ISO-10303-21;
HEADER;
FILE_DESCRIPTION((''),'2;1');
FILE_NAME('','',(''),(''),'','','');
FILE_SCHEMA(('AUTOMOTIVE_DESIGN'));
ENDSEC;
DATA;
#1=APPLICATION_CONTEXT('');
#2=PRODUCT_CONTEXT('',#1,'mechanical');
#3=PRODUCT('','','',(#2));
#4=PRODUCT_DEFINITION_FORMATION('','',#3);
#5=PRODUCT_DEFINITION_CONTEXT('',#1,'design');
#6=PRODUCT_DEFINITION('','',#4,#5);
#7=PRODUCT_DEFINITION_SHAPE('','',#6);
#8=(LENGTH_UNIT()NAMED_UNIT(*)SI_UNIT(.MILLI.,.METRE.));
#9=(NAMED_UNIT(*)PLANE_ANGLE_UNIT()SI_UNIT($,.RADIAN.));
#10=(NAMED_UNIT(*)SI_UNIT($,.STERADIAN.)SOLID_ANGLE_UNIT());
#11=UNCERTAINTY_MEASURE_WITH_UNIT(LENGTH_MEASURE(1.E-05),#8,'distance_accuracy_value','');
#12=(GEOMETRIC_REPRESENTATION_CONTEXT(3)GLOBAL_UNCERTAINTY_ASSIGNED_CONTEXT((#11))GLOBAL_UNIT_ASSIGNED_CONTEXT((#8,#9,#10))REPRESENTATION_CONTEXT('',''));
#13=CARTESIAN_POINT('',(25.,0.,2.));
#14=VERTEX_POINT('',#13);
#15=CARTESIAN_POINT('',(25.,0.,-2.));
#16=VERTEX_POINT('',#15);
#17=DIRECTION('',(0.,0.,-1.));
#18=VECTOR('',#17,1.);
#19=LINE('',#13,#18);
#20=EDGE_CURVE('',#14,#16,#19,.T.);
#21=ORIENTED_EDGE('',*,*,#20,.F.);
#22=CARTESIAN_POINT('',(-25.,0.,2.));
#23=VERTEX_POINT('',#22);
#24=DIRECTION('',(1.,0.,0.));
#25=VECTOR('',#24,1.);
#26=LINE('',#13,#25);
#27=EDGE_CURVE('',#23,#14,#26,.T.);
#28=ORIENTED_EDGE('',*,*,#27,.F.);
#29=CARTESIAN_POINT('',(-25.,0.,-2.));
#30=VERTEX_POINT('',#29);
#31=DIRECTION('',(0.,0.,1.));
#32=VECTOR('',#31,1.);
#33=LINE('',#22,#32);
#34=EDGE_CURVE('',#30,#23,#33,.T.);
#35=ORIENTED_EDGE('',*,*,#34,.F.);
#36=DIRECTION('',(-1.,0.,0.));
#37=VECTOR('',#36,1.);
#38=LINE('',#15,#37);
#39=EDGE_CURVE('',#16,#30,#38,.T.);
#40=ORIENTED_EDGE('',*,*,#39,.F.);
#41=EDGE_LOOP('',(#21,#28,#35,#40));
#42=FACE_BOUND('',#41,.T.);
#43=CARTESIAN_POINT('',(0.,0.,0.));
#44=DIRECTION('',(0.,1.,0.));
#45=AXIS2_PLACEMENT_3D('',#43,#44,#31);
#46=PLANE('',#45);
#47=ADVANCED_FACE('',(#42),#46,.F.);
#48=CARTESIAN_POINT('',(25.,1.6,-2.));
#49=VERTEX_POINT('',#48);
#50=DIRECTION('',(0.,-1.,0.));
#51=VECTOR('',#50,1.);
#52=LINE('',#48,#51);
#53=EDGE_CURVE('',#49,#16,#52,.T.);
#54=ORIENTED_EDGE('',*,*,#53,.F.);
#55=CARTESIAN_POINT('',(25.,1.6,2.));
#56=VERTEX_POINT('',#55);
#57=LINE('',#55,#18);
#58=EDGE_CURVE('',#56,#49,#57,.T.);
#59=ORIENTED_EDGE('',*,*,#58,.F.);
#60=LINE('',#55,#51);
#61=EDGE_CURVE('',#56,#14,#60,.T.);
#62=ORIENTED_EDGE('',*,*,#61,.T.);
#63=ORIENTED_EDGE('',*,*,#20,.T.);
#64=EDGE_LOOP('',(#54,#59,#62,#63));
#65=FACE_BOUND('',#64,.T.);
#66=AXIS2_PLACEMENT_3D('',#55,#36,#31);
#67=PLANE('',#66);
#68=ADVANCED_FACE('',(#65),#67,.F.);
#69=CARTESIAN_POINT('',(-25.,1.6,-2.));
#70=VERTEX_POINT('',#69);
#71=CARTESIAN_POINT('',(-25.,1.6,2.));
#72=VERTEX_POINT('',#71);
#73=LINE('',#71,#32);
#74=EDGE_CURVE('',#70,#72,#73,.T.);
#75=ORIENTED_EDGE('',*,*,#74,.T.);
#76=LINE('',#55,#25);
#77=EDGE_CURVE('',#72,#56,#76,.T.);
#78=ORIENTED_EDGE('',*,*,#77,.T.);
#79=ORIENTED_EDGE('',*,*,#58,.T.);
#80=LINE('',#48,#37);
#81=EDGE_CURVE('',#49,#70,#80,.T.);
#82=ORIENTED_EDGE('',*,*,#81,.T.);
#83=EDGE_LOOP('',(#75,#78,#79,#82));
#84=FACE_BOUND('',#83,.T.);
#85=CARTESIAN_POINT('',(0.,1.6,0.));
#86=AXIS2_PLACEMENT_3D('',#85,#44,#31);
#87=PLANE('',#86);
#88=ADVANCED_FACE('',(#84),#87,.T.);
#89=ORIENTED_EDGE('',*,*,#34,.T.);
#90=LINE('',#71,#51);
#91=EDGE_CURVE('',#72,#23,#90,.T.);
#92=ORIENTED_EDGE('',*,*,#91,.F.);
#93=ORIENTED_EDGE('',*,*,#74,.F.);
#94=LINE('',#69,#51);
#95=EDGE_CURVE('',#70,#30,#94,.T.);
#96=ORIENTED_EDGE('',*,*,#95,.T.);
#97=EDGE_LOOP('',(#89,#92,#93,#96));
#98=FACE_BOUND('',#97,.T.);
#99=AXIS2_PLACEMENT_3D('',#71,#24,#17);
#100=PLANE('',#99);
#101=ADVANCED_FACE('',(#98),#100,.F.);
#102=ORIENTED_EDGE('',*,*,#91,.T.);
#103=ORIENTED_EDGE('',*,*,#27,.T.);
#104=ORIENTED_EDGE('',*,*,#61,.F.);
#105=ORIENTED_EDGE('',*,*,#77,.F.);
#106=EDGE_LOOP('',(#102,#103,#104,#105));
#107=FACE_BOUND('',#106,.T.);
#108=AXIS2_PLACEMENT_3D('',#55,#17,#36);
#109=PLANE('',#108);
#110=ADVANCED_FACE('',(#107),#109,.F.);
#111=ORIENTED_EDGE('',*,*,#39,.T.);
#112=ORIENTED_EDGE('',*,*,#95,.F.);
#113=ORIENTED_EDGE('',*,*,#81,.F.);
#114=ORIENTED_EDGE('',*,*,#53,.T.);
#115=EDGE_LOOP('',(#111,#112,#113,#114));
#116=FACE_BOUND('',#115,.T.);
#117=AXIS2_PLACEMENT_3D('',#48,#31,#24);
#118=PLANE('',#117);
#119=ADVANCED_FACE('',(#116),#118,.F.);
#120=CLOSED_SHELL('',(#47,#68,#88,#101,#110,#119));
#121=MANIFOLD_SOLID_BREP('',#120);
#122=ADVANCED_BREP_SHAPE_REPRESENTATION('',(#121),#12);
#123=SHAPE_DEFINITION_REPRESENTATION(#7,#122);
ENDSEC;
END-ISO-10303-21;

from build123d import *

# Parameters (mm, degrees)
SKETCH_1_W      = 50
SKETCH_1_H      = 4
EXTRUDE_1_DEPTH = 1.6


with BuildPart() as part:
    # Эскиз1 → Бобышка-Вытянуть1 (new body)
    with BuildSketch(Plane(origin=(0, 0, 0), x_dir=(1, 0, 0), z_dir=(0, 1, 0))):
        Rectangle(SKETCH_1_W, SKETCH_1_H)
    extrude(amount=EXTRUDE_1_DEPTH)


solid = part.part
